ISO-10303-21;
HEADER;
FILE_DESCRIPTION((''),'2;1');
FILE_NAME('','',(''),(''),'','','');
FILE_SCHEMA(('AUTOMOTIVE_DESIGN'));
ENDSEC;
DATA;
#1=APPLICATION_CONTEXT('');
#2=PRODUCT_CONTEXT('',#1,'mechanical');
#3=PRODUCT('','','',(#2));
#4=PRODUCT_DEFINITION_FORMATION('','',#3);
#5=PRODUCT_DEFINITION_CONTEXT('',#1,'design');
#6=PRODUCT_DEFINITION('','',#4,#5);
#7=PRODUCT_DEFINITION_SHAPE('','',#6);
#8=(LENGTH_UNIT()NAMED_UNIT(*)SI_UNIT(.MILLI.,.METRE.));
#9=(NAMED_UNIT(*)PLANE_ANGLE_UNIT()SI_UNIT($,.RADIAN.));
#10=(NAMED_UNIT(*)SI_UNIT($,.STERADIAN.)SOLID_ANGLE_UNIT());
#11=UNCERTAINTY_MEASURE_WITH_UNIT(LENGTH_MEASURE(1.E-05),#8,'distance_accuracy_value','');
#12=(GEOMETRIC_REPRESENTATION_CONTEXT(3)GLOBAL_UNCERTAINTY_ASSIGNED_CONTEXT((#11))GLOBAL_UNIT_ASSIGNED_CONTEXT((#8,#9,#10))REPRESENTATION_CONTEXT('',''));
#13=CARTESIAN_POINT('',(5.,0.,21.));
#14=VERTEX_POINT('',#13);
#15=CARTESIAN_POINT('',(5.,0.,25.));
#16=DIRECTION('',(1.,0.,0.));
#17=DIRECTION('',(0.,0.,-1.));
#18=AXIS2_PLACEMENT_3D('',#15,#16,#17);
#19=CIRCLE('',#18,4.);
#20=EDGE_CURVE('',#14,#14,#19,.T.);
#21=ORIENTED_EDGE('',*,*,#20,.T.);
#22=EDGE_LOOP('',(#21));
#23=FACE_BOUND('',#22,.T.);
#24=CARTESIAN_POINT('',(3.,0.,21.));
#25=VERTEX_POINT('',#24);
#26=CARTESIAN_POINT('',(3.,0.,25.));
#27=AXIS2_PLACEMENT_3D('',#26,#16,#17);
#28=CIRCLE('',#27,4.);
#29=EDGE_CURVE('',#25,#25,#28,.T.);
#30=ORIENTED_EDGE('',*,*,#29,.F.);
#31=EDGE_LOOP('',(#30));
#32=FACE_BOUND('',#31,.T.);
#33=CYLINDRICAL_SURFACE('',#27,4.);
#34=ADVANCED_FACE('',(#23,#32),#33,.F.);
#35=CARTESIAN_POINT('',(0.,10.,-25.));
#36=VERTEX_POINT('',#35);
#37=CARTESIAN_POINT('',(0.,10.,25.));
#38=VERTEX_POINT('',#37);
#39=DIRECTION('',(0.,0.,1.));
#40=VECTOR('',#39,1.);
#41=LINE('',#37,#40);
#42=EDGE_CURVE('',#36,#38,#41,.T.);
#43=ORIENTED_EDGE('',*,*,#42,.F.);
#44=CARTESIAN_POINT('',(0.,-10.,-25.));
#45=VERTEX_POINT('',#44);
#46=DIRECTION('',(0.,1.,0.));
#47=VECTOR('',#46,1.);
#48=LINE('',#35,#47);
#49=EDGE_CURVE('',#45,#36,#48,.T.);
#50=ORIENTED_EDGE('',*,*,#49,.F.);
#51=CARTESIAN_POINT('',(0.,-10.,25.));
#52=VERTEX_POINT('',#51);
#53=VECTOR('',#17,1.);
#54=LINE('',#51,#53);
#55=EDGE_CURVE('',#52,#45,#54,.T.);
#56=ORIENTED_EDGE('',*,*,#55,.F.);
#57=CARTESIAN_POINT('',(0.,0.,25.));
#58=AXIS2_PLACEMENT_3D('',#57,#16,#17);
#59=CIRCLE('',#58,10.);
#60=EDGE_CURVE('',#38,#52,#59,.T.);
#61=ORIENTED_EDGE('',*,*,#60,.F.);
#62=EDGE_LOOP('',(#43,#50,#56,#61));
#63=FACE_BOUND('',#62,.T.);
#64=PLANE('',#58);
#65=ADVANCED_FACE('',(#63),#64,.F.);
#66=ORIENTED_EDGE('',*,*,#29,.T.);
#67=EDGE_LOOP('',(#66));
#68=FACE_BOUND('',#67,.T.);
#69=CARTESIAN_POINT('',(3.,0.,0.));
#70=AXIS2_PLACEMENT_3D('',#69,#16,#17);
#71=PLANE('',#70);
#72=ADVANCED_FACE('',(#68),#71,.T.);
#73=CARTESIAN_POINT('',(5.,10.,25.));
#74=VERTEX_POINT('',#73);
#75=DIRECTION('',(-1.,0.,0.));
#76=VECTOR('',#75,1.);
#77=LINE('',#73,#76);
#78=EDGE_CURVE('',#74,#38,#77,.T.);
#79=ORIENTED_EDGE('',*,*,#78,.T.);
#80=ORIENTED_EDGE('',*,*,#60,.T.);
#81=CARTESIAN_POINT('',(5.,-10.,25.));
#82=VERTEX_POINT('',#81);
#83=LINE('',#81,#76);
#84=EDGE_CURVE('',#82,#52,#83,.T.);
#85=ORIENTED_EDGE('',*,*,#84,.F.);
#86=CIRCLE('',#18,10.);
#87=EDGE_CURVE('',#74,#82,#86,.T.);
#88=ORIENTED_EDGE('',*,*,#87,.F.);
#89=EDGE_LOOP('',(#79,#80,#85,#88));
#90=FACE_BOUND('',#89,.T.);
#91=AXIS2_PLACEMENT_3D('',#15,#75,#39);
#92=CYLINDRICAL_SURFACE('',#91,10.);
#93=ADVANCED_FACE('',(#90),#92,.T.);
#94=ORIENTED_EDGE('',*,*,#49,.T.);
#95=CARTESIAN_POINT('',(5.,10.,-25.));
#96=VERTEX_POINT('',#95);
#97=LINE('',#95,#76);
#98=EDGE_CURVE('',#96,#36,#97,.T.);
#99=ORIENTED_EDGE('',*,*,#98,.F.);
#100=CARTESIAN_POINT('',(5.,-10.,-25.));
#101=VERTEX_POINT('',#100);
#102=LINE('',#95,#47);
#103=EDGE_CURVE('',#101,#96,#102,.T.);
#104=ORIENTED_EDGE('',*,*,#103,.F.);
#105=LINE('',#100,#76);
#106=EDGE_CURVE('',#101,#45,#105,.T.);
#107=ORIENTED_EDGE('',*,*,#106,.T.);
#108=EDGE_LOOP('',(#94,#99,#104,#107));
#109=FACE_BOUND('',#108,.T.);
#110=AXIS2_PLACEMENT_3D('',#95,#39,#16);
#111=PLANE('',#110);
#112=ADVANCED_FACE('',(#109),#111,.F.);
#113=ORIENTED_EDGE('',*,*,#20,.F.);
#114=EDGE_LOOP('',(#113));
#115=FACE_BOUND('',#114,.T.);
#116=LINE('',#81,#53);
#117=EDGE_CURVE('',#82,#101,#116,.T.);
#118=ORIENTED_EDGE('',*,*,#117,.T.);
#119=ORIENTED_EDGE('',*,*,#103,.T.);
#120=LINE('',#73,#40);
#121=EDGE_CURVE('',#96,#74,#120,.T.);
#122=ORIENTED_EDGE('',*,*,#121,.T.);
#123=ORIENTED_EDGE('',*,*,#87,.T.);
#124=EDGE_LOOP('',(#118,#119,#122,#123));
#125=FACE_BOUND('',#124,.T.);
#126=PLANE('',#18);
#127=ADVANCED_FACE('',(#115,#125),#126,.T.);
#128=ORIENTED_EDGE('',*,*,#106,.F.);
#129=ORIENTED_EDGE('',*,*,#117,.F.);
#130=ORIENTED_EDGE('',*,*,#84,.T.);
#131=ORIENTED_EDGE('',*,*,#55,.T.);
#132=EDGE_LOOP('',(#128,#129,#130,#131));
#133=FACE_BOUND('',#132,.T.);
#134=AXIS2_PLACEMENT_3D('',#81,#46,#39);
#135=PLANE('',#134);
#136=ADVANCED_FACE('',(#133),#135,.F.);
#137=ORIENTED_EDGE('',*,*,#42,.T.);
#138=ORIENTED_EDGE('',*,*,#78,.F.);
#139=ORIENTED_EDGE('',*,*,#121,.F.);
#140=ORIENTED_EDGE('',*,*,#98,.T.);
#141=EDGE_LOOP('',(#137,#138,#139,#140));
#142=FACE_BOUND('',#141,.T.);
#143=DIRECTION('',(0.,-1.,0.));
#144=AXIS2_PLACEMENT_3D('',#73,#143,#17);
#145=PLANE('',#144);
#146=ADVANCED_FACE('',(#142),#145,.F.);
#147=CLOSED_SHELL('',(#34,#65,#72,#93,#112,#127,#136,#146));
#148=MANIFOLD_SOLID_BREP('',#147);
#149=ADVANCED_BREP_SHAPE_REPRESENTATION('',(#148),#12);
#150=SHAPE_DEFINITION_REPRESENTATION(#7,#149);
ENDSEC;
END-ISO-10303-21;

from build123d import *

# Parameters (mm, degrees)
BOSS_EXTRUDE1_DEPTH = 5
CUT_EXTRUDE3_DEPTH  = 2


with BuildPart() as part:
    # Sketch1 → Boss-Extrude1 (new body)
    with BuildSketch(Plane(origin=(0, 0, 0), x_dir=(0, 0, -1), z_dir=(1, 0, 0))):
        with BuildLine():
            Line((-25, 10), (25, 10))
            Line((25, 10), (25, -10))
            Line((25, -10), (-25, -10))
            ThreePointArc((-25, -10), (-35, 0), (-25, 10))
        make_face()
    extrude(amount=BOSS_EXTRUDE1_DEPTH)

    # Sketch2 → Cut-Extrude3 (cut)
    with BuildSketch(Plane(origin=(5, 0, 0), x_dir=(0, 0, -1), z_dir=(1, 0, 0))):
        with BuildLine():
            ThreePointArc((-21, 0), (-22.171572875, 2.828427125), (-25, 4))
            Line((-25, 4), (-25, -4))
            ThreePointArc((-25, -4), (-22.171572875, -2.828427125), (-21, 0))
        make_face()
        with BuildLine():
            Line((-25, -4), (-25, 4))
            ThreePointArc((-25, 4), (-29, 0), (-25, -4))
        make_face()
    extrude(amount=-CUT_EXTRUDE3_DEPTH, mode=Mode.SUBTRACT)


solid = part.part
